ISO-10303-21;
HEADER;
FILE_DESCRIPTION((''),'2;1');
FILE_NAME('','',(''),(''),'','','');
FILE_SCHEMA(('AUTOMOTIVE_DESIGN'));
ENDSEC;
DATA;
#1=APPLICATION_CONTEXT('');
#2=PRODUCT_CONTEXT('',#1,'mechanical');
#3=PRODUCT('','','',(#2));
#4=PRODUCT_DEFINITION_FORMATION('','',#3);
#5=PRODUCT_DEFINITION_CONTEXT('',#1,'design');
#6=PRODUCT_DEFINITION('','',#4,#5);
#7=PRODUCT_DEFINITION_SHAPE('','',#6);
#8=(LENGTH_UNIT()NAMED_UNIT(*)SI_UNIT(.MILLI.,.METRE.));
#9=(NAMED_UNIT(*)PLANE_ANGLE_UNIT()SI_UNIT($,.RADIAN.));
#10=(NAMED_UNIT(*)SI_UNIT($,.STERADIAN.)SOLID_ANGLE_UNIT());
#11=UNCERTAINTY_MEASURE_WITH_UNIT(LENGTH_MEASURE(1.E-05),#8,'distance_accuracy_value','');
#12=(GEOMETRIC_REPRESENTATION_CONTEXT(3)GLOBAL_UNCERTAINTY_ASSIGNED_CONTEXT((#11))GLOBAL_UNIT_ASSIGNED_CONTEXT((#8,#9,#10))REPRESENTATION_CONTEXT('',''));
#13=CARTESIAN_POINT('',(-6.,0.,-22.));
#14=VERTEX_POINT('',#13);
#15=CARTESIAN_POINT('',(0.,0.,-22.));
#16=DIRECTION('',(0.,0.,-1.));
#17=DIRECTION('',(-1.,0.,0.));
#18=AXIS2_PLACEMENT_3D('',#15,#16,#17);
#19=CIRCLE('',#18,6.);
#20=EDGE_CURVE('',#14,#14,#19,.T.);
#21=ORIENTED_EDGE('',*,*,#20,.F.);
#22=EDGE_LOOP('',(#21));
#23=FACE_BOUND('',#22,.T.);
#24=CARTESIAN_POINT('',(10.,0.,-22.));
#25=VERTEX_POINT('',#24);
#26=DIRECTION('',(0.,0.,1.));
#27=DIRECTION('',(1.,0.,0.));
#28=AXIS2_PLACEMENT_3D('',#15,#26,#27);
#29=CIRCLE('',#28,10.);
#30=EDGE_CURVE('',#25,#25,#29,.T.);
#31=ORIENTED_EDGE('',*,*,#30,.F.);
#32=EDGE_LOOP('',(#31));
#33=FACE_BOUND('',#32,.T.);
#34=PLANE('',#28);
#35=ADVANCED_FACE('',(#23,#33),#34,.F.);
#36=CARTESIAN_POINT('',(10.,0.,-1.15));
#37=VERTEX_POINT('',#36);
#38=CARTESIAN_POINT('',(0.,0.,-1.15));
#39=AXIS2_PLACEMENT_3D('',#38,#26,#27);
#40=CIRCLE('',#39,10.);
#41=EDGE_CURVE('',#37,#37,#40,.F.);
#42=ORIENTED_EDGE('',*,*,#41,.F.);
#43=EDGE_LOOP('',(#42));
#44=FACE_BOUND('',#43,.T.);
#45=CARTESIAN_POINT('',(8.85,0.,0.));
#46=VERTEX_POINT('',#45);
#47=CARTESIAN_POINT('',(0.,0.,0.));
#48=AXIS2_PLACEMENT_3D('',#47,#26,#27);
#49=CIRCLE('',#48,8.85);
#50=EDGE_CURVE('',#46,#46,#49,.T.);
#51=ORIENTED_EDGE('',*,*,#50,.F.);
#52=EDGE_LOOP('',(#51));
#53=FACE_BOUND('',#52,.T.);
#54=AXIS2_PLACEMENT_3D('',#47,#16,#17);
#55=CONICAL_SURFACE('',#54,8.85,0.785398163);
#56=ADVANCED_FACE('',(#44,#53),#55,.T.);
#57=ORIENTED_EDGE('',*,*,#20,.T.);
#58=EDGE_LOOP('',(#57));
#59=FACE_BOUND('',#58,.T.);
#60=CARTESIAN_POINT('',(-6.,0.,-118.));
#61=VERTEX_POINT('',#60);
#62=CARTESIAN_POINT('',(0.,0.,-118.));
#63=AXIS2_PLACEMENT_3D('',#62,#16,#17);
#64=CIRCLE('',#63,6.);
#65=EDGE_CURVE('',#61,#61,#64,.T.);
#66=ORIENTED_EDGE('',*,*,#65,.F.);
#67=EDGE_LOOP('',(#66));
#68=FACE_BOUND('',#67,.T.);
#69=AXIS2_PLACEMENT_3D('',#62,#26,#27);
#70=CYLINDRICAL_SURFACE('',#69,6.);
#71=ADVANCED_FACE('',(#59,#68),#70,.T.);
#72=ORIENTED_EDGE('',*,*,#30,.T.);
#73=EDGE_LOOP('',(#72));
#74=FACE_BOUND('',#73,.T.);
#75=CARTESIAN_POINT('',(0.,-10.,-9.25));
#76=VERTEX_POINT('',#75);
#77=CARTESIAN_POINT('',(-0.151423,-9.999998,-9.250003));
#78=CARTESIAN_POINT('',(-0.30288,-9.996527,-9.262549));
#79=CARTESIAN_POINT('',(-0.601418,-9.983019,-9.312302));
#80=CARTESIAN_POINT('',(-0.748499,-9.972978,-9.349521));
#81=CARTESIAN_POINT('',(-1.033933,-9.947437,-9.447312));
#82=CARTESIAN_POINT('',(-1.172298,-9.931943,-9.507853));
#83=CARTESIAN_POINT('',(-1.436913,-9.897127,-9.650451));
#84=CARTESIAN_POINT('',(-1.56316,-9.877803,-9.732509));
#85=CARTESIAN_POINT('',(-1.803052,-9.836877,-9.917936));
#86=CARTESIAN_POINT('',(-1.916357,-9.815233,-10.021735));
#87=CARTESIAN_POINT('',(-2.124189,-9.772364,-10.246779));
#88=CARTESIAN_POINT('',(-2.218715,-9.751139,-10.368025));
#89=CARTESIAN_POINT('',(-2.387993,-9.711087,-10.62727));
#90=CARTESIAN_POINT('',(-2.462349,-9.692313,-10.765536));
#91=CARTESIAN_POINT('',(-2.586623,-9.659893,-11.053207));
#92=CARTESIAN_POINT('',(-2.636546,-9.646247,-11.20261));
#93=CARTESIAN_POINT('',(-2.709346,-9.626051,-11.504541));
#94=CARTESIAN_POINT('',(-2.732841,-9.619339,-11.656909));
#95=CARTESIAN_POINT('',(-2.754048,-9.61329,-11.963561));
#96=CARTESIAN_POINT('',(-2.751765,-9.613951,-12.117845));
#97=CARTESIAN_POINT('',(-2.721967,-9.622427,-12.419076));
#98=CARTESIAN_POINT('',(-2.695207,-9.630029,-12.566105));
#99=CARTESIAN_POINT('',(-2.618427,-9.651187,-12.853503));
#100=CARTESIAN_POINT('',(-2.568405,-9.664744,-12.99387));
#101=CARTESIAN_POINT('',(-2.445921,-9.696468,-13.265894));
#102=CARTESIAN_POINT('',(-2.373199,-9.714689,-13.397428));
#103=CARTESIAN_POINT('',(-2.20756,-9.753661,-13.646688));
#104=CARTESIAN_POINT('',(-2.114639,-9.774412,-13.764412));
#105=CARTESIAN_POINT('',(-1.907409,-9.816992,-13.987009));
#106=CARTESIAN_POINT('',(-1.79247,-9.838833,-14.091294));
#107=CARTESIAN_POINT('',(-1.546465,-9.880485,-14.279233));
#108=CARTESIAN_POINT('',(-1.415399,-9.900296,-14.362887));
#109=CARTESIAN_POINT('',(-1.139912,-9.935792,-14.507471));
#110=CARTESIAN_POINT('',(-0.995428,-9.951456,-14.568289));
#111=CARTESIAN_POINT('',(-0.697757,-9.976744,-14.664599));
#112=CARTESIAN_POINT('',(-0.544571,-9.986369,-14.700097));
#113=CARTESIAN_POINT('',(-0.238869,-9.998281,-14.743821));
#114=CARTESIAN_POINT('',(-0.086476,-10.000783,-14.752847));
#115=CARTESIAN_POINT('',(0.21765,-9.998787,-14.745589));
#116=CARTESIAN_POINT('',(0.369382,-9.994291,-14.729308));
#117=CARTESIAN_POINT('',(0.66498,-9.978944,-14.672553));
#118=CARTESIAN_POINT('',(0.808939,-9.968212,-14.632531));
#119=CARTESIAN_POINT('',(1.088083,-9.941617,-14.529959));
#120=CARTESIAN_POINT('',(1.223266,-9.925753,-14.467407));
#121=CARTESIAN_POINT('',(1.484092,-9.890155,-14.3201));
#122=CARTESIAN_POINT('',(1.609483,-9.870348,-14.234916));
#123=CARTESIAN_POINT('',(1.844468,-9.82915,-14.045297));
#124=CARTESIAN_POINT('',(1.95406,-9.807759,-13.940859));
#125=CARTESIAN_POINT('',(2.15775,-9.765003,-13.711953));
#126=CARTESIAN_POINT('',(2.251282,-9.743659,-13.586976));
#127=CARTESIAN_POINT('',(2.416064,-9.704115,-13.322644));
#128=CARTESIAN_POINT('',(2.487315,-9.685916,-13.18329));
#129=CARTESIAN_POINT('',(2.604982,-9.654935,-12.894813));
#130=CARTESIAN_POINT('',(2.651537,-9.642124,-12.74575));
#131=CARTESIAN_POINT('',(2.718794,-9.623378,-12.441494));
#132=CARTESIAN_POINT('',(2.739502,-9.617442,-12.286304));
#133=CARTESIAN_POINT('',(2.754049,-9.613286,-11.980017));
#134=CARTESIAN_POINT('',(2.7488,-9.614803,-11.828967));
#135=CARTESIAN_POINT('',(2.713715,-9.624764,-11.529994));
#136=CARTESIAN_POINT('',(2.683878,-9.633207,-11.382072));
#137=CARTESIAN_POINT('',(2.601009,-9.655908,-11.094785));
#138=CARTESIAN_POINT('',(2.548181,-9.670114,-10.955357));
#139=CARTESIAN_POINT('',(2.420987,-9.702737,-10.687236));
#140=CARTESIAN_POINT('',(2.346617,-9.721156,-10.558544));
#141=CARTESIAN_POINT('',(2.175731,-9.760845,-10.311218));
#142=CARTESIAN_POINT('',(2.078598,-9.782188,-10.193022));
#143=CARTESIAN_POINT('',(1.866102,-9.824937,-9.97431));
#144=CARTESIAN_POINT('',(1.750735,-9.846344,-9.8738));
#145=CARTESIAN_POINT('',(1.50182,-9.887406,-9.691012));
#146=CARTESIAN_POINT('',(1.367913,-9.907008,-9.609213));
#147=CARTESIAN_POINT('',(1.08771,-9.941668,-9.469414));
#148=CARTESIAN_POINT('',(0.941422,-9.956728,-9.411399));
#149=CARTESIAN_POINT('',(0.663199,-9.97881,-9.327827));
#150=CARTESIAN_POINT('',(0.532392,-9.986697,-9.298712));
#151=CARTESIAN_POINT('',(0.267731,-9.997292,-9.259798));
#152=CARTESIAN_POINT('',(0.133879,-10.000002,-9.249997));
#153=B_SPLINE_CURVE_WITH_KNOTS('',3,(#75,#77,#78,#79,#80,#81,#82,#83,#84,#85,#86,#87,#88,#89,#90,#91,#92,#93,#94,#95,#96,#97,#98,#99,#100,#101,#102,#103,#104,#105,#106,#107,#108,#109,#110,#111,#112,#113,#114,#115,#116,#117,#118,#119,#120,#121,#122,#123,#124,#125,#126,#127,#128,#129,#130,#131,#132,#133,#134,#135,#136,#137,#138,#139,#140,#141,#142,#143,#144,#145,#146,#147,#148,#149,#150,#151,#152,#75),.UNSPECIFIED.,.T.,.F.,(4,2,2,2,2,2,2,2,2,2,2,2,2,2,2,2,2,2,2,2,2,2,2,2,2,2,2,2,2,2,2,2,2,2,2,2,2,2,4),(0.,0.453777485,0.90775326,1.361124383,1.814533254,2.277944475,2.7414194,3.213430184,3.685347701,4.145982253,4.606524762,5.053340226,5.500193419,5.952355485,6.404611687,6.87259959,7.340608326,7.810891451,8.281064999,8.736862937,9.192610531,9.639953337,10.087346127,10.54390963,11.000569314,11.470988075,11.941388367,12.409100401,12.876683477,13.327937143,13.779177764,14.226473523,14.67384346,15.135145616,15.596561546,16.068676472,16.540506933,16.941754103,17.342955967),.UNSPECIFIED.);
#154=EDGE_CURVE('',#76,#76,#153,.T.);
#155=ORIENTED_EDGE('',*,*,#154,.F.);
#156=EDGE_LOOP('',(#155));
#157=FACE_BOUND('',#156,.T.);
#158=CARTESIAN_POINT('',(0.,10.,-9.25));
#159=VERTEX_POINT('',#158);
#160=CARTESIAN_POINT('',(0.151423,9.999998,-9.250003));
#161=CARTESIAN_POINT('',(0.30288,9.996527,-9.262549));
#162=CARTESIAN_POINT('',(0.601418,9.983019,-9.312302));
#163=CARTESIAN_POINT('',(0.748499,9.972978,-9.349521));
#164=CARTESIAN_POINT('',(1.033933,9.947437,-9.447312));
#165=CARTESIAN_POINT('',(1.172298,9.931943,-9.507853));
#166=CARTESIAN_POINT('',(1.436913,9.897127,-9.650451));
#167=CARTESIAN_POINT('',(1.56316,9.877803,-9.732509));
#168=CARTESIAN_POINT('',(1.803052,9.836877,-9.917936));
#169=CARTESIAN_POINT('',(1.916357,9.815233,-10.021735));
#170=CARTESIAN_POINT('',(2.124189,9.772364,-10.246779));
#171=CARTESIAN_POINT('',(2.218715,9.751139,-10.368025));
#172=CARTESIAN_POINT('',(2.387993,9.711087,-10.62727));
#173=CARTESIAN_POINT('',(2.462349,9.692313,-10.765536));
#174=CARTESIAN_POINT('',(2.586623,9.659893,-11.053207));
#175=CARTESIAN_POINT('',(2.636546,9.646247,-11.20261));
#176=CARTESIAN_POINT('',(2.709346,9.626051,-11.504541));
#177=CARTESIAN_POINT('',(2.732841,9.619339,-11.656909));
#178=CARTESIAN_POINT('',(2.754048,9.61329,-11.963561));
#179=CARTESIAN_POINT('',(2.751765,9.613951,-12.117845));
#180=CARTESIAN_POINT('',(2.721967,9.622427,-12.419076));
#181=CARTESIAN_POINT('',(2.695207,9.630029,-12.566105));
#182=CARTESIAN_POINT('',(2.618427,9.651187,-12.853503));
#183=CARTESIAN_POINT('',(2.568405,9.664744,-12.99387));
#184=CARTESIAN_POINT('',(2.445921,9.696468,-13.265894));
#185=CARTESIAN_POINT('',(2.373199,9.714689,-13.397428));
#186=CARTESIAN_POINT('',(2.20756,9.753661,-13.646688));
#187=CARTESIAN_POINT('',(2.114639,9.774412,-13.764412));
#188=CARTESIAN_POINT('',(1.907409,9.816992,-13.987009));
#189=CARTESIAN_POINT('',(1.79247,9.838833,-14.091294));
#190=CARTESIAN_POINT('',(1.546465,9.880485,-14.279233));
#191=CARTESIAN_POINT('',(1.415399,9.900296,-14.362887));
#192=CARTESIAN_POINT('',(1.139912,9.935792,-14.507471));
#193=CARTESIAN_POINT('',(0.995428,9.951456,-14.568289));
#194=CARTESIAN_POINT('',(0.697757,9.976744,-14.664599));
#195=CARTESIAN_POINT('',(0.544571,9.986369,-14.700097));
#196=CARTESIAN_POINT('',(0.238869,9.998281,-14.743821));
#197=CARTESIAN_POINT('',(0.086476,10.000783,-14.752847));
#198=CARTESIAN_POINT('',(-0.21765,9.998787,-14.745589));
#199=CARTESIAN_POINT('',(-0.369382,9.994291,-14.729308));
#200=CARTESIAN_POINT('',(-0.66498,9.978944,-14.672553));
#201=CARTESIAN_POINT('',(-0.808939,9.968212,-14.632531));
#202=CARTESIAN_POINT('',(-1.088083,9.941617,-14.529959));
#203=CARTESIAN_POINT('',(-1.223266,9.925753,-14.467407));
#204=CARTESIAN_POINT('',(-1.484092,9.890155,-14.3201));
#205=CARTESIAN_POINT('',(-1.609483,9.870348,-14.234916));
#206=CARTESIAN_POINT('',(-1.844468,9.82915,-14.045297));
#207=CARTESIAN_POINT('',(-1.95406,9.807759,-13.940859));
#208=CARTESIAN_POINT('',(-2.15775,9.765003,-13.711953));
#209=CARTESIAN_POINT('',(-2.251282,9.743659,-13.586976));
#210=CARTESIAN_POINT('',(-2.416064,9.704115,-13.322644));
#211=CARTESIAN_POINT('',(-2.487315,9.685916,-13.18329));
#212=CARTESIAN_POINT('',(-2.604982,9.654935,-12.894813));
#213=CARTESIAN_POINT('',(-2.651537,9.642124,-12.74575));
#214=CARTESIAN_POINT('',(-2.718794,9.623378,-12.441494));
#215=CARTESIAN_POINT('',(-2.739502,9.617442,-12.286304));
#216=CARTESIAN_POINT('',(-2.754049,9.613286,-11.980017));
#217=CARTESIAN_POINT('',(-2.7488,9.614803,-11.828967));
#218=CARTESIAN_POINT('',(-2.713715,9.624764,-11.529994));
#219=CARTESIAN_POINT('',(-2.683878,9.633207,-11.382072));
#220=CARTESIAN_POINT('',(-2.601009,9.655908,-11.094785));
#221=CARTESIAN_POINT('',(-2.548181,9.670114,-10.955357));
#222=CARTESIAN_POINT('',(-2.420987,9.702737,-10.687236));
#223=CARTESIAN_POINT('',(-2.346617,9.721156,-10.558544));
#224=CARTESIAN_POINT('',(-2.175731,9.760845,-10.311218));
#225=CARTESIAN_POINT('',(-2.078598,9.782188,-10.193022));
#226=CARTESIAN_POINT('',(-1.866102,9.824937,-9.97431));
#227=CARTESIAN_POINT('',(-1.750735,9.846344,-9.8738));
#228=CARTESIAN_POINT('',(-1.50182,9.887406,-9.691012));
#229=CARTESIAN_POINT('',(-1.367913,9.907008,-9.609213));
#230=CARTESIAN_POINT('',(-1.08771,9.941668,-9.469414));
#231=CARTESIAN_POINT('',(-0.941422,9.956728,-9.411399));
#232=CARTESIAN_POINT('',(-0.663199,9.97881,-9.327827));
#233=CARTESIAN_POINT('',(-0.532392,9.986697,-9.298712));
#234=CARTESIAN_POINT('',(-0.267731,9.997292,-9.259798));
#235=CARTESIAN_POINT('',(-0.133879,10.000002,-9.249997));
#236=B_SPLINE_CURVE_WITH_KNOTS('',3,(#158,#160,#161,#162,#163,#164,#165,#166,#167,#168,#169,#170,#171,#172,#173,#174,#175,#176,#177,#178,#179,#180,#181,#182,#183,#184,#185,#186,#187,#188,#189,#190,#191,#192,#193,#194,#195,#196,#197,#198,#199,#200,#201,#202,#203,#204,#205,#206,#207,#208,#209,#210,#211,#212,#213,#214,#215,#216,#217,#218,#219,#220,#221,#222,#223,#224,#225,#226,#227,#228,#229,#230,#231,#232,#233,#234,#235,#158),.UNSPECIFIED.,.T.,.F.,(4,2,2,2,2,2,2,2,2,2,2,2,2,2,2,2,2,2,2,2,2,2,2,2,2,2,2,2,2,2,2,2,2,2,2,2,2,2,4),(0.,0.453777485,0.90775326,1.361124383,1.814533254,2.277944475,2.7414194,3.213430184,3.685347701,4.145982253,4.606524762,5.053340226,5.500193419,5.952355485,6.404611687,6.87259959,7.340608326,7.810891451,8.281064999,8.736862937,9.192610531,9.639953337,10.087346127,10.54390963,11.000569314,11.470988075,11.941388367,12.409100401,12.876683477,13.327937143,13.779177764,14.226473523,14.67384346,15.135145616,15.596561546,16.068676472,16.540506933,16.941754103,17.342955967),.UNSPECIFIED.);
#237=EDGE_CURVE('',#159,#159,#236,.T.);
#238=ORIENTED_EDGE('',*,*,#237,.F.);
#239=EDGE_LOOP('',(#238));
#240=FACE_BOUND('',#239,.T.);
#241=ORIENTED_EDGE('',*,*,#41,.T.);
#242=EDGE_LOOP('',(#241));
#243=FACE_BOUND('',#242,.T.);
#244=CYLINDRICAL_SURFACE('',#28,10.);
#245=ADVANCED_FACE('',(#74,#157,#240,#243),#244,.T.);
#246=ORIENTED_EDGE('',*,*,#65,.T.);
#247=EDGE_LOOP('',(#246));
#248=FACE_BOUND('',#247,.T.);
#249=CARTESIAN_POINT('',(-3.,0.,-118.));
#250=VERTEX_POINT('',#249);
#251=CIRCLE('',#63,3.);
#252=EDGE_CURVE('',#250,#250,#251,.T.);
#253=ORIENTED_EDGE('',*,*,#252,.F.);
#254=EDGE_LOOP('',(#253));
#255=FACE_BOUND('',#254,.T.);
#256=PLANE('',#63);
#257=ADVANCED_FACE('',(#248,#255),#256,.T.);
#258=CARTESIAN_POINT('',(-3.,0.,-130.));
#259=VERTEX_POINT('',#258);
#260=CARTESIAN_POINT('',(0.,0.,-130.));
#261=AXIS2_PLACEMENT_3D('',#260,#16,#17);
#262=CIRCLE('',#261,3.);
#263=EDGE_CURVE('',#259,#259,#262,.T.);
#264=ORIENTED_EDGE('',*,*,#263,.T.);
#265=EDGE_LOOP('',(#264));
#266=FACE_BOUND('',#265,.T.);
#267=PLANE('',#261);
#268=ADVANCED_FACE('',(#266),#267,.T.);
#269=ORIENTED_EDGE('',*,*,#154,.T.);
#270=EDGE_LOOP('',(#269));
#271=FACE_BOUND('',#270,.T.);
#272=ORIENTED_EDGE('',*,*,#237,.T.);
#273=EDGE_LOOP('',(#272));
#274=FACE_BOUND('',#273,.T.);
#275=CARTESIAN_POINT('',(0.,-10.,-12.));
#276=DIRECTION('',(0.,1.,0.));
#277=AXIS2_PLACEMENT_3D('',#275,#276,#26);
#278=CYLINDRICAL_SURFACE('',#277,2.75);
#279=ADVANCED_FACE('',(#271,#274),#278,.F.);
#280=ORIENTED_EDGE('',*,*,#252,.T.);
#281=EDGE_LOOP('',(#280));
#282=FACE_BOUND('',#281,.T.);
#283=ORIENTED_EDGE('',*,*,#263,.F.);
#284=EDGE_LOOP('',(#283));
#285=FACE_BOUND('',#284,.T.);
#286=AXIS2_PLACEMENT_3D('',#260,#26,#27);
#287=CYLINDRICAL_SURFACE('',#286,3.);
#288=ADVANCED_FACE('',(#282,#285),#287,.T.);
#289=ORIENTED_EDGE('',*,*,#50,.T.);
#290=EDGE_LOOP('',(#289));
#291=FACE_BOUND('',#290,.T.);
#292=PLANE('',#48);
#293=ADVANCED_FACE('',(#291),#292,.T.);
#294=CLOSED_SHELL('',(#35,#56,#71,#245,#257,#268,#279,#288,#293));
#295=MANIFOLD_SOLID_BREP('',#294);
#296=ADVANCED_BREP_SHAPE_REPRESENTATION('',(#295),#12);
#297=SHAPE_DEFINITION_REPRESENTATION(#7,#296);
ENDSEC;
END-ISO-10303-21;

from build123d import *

# Parameters (mm, degrees)
SKETCH3_R               = 10
BOSS_EXTRUDE1_DEPTH     = 22
SKETCH4_R               = 6
BOSS_EXTRUDE2_DEPTH     = 96
SKETCH5_R               = 3
BOSS_EXTRUDE3_DEPTH     = 12
CUT_EXTRUDE2_DEPTH      = 131.766968306
CUT_EXTRUDE2_DEPTH_BACK = 131.766968306
SKETCH6_R               = 2.75
CHAMFER1_SIZE           = 1.15


with BuildPart() as part:
    # Sketch3 → Boss-Extrude1 (new body)
    with BuildSketch(Plane.XY):
        Circle(SKETCH3_R)
    extrude(amount=-BOSS_EXTRUDE1_DEPTH)

    # Sketch4 → Boss-Extrude2 (add)
    with BuildSketch(Plane(origin=(0, 0, -22), x_dir=(-1, 0, 0), z_dir=(0, 0, -1))):
        Circle(SKETCH4_R)
    extrude(amount=BOSS_EXTRUDE2_DEPTH)

    # Sketch5 → Boss-Extrude3 (add)
    with BuildSketch(Plane(origin=(0, 0, -118), x_dir=(-1, 0, 0), z_dir=(0, 0, -1))):
        Circle(SKETCH5_R)
    extrude(amount=BOSS_EXTRUDE3_DEPTH)

    # Sketch6 → Cut-Extrude2 (cut, two sides: drawn at the far end of the back side and taken through both)
    with BuildSketch(Plane(origin=(0, 0, 0), x_dir=(1, 0, 0), z_dir=(0, 1, 0)).offset(-CUT_EXTRUDE2_DEPTH_BACK)):
        with Locations(Location((0, 12, 0), (0, 0, 270))):
            Circle(SKETCH6_R)
    extrude(amount=CUT_EXTRUDE2_DEPTH + CUT_EXTRUDE2_DEPTH_BACK, mode=Mode.SUBTRACT)

    # Chamfer1
    chamfer1_edges = [part.edges().sort_by_distance(p)[0] for p in [
        (-10, 0, 0),
    ]]
    chamfer(chamfer1_edges, length=CHAMFER1_SIZE)


solid = part.part
